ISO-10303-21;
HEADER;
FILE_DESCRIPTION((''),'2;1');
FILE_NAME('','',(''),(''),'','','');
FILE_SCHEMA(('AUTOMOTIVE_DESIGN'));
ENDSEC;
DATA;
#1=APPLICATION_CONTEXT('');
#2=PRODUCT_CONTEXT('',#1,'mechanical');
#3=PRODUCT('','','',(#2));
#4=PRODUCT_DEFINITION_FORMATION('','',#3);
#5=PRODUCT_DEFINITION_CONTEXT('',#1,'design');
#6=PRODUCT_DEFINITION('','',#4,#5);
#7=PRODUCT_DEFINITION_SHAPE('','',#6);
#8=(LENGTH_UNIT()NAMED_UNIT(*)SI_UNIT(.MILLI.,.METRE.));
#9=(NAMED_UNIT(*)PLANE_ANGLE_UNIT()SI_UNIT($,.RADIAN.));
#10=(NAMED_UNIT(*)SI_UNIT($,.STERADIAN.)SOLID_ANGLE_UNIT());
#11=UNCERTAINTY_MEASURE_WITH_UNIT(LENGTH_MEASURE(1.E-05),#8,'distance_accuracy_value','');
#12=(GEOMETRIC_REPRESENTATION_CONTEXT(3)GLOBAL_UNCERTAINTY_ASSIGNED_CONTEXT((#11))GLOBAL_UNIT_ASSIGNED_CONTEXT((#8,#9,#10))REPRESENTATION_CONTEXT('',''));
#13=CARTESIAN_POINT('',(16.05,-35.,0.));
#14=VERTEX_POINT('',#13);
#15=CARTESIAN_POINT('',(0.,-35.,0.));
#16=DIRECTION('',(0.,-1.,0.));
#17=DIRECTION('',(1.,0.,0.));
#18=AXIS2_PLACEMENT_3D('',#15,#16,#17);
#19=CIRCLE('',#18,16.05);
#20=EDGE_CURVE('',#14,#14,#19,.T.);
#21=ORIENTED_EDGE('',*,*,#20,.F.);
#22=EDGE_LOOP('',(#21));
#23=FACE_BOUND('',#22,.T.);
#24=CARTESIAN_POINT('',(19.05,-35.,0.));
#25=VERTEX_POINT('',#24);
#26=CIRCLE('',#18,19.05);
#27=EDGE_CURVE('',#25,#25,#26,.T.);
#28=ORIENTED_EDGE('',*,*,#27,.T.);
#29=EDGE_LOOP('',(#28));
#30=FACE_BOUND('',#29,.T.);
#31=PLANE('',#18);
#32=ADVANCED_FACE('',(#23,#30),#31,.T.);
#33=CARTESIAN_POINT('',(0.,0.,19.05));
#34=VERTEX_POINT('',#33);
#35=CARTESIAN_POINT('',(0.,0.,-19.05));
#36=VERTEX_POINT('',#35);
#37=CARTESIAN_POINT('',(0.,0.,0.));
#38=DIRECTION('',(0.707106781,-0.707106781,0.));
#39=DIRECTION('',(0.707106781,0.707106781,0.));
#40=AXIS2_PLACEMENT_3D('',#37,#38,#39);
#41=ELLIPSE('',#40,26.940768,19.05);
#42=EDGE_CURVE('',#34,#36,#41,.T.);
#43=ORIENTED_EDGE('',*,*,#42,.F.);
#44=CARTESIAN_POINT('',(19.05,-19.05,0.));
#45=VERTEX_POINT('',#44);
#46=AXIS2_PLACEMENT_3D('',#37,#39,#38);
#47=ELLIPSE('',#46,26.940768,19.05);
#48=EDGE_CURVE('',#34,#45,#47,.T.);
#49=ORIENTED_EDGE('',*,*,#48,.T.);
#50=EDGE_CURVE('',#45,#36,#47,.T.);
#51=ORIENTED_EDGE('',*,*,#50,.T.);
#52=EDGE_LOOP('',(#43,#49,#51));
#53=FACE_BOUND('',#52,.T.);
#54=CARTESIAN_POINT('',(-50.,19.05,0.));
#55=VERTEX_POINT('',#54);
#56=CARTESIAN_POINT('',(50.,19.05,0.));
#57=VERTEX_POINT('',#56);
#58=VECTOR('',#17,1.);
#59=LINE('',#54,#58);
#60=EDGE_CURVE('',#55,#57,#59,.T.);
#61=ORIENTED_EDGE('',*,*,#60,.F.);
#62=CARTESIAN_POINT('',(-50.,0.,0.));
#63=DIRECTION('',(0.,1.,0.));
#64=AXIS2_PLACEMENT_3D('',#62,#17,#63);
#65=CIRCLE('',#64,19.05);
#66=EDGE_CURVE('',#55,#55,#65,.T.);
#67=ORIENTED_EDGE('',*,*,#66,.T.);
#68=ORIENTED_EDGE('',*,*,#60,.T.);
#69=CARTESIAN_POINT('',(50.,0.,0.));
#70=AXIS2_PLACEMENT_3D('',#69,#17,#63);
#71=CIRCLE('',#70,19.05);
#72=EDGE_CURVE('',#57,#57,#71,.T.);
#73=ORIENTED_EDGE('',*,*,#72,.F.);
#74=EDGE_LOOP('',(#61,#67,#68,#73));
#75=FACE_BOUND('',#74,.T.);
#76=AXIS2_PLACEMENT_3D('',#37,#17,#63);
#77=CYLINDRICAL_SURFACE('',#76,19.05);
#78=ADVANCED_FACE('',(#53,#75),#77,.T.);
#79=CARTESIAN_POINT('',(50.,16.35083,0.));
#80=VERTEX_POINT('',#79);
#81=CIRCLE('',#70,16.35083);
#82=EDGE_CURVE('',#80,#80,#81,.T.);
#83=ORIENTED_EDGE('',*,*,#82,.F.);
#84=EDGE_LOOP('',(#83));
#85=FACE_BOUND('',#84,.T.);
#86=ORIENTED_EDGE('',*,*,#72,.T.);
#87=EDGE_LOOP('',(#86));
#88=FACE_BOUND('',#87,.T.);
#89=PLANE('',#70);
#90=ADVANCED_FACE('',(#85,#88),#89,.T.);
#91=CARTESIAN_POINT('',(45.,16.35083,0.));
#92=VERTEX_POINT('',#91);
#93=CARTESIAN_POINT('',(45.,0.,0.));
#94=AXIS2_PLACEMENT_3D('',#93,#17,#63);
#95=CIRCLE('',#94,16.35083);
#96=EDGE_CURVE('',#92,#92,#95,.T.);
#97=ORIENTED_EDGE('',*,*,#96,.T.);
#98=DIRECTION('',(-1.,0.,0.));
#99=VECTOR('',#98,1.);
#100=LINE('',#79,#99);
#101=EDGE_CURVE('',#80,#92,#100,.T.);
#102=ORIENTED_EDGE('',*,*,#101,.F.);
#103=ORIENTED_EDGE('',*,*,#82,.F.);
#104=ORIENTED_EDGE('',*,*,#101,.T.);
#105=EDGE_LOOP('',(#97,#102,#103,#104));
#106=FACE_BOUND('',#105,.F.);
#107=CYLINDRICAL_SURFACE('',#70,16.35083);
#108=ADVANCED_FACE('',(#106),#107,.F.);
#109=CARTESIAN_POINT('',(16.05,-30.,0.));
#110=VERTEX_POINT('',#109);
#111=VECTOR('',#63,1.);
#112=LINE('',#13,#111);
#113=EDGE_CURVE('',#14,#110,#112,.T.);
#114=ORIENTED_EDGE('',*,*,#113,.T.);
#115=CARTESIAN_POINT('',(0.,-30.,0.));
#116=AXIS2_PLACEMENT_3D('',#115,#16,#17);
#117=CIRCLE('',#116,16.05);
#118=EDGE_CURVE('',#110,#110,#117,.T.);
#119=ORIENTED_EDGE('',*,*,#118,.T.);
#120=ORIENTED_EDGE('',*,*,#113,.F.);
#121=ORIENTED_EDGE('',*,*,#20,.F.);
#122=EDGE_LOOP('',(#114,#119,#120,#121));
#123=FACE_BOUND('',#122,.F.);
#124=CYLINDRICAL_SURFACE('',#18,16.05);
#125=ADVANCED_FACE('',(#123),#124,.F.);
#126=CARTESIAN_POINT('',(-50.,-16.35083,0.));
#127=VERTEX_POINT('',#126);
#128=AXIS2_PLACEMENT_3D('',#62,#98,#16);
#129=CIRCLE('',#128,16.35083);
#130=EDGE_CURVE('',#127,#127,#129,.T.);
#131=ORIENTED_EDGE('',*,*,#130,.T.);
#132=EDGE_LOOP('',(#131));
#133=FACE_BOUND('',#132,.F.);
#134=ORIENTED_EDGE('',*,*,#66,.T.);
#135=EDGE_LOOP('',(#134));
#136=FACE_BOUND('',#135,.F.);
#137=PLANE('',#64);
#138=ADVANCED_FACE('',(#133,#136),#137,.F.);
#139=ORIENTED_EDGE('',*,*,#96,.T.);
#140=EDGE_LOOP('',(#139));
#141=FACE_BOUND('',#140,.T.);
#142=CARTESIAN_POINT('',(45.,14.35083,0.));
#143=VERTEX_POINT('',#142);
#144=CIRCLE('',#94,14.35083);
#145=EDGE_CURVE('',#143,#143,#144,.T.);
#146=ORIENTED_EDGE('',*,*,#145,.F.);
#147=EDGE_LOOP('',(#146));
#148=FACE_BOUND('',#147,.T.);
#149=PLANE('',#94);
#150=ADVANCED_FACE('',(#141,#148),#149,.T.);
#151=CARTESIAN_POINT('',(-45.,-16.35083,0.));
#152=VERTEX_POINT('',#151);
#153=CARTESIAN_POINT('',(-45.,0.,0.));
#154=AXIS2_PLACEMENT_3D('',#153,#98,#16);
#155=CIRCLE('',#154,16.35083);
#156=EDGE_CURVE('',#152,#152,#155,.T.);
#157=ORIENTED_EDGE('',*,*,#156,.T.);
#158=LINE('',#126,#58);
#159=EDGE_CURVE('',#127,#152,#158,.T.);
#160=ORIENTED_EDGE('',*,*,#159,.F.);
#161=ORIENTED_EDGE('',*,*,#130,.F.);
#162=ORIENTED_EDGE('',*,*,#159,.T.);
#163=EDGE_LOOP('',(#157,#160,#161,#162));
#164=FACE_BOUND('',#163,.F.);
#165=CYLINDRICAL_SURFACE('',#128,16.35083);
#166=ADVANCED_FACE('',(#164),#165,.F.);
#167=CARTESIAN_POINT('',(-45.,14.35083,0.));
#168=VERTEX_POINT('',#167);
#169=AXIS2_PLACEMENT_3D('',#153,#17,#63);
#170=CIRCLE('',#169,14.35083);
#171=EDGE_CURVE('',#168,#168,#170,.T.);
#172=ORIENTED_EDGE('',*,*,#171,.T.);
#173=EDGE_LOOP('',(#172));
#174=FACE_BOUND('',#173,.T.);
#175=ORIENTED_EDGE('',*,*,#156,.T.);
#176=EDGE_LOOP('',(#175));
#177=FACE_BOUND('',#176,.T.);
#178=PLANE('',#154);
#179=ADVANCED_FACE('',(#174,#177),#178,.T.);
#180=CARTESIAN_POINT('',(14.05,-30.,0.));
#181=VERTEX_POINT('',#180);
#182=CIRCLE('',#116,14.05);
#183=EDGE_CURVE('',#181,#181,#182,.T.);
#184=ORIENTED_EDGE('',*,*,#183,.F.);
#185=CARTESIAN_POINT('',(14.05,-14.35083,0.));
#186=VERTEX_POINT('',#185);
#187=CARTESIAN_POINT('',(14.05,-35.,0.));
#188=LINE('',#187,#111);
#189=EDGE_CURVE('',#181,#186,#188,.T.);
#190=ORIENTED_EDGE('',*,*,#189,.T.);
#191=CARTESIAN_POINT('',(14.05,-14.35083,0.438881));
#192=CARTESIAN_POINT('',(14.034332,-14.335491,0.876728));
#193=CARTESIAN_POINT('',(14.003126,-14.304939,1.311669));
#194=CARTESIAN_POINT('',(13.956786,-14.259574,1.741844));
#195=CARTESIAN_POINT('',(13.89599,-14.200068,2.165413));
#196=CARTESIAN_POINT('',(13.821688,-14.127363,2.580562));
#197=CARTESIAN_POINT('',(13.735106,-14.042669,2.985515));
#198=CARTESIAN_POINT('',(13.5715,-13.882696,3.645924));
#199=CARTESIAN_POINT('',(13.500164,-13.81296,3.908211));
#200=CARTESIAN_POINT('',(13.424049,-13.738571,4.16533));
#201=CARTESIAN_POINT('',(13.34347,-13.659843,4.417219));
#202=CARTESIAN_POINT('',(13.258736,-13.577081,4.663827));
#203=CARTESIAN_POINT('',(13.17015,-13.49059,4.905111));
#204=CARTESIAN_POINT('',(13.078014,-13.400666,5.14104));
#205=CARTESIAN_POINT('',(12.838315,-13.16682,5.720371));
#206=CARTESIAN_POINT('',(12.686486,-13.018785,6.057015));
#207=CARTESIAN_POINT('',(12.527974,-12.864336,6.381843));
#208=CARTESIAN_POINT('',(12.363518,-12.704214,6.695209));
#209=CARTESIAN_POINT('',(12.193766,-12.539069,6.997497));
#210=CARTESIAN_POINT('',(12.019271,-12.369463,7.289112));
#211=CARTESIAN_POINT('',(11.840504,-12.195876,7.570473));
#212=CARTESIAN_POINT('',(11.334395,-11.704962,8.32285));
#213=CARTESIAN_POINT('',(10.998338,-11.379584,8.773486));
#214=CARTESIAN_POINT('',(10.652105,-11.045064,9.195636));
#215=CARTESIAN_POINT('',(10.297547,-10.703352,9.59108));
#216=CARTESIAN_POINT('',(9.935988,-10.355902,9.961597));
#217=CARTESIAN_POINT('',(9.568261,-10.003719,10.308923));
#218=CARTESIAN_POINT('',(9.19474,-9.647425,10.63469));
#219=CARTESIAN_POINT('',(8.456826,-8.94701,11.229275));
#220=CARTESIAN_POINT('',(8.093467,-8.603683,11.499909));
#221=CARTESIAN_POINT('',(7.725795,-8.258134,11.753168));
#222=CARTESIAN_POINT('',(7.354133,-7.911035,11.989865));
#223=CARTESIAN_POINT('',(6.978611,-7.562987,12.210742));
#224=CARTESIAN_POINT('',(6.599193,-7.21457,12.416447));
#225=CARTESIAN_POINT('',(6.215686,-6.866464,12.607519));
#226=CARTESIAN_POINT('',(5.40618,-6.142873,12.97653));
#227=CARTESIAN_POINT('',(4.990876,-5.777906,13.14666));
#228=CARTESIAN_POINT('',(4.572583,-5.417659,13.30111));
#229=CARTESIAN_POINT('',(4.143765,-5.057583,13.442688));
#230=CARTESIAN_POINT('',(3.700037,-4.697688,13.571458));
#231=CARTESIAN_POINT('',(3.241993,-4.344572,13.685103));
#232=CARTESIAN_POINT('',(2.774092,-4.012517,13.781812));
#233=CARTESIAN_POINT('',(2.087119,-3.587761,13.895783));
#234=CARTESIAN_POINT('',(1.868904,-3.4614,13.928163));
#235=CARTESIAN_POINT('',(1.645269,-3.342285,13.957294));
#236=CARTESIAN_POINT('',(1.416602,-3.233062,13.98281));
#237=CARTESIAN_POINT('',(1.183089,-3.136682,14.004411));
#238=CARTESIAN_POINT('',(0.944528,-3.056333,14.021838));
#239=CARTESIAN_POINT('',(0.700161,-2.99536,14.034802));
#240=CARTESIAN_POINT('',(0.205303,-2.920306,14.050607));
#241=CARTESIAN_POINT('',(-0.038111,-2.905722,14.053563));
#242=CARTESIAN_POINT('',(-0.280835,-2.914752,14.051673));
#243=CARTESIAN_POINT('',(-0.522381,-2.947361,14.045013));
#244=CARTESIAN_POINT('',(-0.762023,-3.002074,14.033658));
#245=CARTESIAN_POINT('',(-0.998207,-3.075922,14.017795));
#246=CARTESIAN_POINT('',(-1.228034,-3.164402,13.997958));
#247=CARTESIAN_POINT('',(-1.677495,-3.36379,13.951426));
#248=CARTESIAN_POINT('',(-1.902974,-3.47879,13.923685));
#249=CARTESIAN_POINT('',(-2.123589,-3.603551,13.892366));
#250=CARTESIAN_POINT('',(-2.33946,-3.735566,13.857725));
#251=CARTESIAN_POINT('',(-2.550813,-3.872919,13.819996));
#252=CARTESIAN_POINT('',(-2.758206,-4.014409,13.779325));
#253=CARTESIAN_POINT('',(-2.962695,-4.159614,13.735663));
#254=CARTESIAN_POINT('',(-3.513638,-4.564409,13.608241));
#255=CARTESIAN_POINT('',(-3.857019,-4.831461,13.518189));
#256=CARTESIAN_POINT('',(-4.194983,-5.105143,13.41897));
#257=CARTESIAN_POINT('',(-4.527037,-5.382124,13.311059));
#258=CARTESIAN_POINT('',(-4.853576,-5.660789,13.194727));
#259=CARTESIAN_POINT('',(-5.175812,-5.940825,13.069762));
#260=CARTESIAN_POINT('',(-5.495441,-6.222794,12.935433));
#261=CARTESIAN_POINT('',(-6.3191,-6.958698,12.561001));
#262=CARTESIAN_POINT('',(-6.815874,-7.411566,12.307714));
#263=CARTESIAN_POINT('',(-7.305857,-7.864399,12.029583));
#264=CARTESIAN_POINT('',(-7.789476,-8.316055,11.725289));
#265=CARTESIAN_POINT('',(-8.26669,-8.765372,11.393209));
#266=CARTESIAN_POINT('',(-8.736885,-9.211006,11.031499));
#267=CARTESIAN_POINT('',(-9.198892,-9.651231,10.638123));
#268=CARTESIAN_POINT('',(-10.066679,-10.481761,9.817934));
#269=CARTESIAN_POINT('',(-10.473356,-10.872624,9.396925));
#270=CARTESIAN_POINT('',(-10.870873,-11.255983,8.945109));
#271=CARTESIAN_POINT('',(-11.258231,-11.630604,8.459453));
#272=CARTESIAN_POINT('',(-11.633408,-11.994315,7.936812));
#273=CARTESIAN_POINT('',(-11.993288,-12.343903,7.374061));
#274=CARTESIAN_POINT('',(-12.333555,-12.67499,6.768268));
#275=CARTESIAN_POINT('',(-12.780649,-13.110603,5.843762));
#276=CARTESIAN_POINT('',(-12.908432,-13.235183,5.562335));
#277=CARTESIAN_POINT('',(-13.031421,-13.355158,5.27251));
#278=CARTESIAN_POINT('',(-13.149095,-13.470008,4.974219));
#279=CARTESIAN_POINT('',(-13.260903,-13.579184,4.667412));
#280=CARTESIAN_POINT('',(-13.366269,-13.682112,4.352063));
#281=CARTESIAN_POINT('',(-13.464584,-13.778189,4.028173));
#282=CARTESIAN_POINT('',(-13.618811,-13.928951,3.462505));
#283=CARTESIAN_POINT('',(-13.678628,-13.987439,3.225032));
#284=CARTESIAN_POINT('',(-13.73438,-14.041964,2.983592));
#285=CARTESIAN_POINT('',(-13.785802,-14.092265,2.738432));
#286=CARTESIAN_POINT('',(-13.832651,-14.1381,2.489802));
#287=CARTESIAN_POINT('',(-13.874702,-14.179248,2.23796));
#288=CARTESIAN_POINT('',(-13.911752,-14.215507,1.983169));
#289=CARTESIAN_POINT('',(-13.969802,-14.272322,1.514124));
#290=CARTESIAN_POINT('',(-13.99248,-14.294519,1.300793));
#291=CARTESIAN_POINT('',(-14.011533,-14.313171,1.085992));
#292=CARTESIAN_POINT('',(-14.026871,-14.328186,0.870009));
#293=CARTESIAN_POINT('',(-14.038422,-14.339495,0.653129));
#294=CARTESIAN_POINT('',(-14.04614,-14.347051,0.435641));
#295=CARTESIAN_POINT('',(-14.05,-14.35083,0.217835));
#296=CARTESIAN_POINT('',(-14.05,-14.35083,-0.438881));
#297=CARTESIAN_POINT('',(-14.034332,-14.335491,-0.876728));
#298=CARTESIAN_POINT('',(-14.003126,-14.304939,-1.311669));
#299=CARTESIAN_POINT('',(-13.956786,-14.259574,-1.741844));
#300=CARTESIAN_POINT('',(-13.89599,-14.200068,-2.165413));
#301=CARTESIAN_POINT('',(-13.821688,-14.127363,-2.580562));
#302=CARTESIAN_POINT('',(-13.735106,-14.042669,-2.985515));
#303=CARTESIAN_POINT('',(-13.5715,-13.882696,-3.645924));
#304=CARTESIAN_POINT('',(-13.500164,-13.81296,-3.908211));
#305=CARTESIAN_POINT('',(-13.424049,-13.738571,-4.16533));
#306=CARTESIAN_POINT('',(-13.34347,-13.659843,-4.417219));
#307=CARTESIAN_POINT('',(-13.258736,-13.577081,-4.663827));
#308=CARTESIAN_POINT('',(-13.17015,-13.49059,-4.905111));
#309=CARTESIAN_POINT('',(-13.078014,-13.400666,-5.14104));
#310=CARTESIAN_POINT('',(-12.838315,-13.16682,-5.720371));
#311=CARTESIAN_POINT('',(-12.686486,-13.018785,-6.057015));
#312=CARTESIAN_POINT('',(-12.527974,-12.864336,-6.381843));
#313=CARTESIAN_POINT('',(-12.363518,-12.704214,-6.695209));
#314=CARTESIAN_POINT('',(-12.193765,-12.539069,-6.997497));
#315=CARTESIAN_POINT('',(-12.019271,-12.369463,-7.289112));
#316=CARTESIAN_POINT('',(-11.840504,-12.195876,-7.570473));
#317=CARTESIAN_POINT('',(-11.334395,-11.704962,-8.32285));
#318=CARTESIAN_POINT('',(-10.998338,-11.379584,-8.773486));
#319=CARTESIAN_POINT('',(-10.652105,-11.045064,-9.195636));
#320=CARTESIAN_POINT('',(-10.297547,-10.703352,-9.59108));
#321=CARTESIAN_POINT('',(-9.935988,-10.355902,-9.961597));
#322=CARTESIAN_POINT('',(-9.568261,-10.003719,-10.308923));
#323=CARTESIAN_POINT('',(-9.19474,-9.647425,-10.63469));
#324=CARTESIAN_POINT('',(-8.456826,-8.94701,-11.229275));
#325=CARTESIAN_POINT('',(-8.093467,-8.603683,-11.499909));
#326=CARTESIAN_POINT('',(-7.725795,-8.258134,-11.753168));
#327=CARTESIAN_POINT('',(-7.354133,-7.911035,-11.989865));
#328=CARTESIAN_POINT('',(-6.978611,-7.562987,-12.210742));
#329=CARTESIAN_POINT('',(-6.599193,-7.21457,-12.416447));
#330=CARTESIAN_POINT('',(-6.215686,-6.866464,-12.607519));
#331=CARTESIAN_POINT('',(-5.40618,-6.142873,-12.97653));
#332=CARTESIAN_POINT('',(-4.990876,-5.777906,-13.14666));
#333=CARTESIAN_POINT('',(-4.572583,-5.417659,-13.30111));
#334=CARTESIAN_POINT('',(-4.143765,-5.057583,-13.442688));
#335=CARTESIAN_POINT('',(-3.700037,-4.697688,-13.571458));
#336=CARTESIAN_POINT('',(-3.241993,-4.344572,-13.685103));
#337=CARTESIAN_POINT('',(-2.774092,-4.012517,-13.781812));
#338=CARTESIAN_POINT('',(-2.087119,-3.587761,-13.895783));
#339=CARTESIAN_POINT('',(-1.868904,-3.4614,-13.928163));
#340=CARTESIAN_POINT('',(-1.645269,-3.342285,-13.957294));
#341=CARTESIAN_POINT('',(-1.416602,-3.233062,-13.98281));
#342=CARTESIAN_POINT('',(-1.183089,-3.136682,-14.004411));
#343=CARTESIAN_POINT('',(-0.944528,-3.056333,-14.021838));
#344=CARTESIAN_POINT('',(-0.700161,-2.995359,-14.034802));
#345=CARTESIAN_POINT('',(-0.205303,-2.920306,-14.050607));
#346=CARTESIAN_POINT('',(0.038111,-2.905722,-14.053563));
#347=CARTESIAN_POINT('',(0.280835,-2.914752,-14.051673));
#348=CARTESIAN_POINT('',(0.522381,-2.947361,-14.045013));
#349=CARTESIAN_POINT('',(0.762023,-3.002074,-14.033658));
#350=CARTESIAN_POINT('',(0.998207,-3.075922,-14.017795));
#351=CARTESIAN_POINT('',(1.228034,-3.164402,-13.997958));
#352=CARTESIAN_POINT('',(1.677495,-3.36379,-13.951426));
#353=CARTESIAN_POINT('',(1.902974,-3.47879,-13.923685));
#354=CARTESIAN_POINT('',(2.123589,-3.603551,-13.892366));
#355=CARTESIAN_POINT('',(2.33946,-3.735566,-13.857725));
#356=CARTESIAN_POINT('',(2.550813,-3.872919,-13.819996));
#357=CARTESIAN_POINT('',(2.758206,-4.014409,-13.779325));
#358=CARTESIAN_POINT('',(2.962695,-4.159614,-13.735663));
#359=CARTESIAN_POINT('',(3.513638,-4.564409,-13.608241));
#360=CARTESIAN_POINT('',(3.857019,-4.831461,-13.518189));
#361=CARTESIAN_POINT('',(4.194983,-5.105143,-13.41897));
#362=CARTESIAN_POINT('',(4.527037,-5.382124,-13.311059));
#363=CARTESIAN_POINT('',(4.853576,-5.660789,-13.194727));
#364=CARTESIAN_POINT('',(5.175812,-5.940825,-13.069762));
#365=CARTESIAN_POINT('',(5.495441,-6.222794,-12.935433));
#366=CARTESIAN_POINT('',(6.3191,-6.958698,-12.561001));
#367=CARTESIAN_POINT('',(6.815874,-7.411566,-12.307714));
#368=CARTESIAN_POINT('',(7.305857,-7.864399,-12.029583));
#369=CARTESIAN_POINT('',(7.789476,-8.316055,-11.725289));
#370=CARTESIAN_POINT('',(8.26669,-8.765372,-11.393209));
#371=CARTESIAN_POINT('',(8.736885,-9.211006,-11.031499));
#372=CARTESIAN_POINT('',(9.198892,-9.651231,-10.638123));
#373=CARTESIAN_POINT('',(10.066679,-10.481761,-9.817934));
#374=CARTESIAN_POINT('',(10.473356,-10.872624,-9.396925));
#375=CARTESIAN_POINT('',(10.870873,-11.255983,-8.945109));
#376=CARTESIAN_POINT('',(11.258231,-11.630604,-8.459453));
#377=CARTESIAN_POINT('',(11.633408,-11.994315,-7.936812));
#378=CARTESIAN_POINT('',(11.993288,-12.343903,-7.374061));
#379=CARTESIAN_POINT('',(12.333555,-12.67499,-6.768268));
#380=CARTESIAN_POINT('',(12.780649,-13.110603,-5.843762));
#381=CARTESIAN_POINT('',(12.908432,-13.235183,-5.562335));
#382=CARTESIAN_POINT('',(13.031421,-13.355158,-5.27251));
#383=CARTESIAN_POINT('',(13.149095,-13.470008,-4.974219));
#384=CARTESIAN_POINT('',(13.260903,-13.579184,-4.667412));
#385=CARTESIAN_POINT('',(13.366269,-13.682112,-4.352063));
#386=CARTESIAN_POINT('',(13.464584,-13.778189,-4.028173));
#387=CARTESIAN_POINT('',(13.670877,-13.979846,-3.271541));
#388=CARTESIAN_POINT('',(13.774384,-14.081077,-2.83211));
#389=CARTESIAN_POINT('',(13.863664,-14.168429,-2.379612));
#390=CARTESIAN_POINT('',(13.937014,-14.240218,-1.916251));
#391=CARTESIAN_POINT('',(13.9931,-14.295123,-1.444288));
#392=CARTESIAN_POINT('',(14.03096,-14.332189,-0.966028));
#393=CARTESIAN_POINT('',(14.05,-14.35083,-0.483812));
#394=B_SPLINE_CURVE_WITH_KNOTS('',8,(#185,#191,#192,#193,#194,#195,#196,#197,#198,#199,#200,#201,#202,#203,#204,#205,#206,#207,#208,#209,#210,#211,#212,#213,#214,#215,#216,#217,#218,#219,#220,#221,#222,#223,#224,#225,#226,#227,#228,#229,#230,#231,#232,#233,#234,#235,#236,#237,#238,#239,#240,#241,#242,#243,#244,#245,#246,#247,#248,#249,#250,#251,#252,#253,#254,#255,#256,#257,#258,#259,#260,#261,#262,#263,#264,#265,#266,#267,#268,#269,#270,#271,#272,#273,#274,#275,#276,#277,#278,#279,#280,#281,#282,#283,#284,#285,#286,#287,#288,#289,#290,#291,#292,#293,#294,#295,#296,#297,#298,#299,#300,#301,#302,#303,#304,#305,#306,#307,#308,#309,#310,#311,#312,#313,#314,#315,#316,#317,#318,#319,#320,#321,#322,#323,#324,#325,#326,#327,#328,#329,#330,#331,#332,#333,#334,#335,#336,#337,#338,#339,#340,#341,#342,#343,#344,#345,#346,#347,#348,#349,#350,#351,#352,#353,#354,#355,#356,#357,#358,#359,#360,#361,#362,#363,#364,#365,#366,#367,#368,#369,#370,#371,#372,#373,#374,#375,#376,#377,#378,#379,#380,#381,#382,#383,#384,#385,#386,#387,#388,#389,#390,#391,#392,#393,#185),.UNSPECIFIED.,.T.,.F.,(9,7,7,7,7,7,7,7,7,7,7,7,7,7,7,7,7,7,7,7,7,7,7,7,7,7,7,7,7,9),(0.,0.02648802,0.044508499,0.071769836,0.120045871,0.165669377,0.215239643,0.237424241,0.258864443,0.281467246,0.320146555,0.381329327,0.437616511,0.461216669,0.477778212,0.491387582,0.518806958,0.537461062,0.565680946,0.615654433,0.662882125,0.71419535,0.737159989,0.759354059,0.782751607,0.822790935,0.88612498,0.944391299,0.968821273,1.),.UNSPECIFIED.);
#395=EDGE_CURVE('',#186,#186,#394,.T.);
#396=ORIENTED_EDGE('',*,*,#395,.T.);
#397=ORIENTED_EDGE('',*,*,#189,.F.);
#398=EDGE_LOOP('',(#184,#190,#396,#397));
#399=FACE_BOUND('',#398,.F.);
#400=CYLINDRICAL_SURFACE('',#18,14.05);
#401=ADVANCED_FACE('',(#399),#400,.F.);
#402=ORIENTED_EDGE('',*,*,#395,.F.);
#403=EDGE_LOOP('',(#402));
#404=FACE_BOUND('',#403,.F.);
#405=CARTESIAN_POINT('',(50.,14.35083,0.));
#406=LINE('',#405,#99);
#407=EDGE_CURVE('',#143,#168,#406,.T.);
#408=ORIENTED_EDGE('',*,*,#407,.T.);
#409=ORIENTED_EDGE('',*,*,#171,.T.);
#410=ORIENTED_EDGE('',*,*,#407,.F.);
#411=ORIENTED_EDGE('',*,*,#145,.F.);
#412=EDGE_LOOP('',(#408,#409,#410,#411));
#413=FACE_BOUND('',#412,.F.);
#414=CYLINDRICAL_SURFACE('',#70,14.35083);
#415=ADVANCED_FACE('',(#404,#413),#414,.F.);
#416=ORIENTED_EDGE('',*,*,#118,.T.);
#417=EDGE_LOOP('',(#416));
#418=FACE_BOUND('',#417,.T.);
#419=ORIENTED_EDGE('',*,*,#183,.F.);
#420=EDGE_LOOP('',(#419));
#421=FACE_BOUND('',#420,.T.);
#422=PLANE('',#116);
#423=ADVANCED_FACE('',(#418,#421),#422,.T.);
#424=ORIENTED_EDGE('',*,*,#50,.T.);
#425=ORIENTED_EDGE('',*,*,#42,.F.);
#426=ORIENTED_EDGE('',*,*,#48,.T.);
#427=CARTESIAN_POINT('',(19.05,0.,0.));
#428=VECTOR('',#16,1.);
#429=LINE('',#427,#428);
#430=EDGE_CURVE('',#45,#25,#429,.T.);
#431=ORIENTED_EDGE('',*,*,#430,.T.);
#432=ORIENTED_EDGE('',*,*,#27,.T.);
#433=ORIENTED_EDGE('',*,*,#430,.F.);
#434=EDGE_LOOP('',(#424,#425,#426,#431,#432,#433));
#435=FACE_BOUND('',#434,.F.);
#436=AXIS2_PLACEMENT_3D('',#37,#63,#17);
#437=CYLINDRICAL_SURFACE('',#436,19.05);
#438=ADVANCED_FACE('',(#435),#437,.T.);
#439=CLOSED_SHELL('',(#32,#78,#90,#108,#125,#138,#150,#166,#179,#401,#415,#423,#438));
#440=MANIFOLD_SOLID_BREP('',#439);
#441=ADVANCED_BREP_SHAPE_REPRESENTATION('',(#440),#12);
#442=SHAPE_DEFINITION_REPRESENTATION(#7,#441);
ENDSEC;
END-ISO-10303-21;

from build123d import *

# Parameters (mm, degrees)
F0_R      = 19.05
F2_DEPTH  = 50
F1_R      = 19.05
F4_DEPTH  = 35
F3_R      = 14.3508300954
F5_DEPTH  = 100.001
F6_R      = 14.05
F7_DEPTH  = 32.078017988
F8_R      = 16.05
F9_DEPTH  = 5
F10_R     = 16.3508300954
F11_DEPTH = 5
F12_R     = 16.3508300954
F13_DEPTH = 5


with BuildPart() as f2:
    # F0 (on Right) → F2 (new body, symmetric)
    with BuildSketch(Plane.YZ):
        Circle(F0_R)
    extrude(amount=F2_DEPTH, both=True)

    # F1 (on Front) → F4 (join)
    with BuildSketch(Plane.XZ):
        Circle(F1_R)
    extrude(amount=F4_DEPTH)

    # F3 (on face) → F5 (cut, through all)
    with BuildSketch(Plane.YZ.offset(50)):
        Circle(F3_R)
    extrude(amount=-F5_DEPTH, mode=Mode.SUBTRACT)

    # F6 (on face) → F7 (cut, through all)
    with BuildSketch(Plane.XZ.offset(35)):
        Circle(F6_R)
    extrude(amount=-F7_DEPTH, mode=Mode.SUBTRACT)

    # F8 (on face) → F9 (cut)
    with BuildSketch(Plane.XZ.offset(35)):
        Circle(F8_R)
    extrude(amount=-F9_DEPTH, mode=Mode.SUBTRACT)

    # F10 (on face) → F11 (cut)
    with BuildSketch(Plane.YZ.offset(50)):
        Circle(F10_R)
    extrude(amount=-F11_DEPTH, mode=Mode.SUBTRACT)

    # F12 (on face) → F13 (cut)
    with BuildSketch(Plane(origin=(-50, 0, 0), x_dir=(0, -1, 0), z_dir=(-1, 0, 0))):
        Circle(F12_R)
    extrude(amount=-F13_DEPTH, mode=Mode.SUBTRACT)


solid = f2.part
